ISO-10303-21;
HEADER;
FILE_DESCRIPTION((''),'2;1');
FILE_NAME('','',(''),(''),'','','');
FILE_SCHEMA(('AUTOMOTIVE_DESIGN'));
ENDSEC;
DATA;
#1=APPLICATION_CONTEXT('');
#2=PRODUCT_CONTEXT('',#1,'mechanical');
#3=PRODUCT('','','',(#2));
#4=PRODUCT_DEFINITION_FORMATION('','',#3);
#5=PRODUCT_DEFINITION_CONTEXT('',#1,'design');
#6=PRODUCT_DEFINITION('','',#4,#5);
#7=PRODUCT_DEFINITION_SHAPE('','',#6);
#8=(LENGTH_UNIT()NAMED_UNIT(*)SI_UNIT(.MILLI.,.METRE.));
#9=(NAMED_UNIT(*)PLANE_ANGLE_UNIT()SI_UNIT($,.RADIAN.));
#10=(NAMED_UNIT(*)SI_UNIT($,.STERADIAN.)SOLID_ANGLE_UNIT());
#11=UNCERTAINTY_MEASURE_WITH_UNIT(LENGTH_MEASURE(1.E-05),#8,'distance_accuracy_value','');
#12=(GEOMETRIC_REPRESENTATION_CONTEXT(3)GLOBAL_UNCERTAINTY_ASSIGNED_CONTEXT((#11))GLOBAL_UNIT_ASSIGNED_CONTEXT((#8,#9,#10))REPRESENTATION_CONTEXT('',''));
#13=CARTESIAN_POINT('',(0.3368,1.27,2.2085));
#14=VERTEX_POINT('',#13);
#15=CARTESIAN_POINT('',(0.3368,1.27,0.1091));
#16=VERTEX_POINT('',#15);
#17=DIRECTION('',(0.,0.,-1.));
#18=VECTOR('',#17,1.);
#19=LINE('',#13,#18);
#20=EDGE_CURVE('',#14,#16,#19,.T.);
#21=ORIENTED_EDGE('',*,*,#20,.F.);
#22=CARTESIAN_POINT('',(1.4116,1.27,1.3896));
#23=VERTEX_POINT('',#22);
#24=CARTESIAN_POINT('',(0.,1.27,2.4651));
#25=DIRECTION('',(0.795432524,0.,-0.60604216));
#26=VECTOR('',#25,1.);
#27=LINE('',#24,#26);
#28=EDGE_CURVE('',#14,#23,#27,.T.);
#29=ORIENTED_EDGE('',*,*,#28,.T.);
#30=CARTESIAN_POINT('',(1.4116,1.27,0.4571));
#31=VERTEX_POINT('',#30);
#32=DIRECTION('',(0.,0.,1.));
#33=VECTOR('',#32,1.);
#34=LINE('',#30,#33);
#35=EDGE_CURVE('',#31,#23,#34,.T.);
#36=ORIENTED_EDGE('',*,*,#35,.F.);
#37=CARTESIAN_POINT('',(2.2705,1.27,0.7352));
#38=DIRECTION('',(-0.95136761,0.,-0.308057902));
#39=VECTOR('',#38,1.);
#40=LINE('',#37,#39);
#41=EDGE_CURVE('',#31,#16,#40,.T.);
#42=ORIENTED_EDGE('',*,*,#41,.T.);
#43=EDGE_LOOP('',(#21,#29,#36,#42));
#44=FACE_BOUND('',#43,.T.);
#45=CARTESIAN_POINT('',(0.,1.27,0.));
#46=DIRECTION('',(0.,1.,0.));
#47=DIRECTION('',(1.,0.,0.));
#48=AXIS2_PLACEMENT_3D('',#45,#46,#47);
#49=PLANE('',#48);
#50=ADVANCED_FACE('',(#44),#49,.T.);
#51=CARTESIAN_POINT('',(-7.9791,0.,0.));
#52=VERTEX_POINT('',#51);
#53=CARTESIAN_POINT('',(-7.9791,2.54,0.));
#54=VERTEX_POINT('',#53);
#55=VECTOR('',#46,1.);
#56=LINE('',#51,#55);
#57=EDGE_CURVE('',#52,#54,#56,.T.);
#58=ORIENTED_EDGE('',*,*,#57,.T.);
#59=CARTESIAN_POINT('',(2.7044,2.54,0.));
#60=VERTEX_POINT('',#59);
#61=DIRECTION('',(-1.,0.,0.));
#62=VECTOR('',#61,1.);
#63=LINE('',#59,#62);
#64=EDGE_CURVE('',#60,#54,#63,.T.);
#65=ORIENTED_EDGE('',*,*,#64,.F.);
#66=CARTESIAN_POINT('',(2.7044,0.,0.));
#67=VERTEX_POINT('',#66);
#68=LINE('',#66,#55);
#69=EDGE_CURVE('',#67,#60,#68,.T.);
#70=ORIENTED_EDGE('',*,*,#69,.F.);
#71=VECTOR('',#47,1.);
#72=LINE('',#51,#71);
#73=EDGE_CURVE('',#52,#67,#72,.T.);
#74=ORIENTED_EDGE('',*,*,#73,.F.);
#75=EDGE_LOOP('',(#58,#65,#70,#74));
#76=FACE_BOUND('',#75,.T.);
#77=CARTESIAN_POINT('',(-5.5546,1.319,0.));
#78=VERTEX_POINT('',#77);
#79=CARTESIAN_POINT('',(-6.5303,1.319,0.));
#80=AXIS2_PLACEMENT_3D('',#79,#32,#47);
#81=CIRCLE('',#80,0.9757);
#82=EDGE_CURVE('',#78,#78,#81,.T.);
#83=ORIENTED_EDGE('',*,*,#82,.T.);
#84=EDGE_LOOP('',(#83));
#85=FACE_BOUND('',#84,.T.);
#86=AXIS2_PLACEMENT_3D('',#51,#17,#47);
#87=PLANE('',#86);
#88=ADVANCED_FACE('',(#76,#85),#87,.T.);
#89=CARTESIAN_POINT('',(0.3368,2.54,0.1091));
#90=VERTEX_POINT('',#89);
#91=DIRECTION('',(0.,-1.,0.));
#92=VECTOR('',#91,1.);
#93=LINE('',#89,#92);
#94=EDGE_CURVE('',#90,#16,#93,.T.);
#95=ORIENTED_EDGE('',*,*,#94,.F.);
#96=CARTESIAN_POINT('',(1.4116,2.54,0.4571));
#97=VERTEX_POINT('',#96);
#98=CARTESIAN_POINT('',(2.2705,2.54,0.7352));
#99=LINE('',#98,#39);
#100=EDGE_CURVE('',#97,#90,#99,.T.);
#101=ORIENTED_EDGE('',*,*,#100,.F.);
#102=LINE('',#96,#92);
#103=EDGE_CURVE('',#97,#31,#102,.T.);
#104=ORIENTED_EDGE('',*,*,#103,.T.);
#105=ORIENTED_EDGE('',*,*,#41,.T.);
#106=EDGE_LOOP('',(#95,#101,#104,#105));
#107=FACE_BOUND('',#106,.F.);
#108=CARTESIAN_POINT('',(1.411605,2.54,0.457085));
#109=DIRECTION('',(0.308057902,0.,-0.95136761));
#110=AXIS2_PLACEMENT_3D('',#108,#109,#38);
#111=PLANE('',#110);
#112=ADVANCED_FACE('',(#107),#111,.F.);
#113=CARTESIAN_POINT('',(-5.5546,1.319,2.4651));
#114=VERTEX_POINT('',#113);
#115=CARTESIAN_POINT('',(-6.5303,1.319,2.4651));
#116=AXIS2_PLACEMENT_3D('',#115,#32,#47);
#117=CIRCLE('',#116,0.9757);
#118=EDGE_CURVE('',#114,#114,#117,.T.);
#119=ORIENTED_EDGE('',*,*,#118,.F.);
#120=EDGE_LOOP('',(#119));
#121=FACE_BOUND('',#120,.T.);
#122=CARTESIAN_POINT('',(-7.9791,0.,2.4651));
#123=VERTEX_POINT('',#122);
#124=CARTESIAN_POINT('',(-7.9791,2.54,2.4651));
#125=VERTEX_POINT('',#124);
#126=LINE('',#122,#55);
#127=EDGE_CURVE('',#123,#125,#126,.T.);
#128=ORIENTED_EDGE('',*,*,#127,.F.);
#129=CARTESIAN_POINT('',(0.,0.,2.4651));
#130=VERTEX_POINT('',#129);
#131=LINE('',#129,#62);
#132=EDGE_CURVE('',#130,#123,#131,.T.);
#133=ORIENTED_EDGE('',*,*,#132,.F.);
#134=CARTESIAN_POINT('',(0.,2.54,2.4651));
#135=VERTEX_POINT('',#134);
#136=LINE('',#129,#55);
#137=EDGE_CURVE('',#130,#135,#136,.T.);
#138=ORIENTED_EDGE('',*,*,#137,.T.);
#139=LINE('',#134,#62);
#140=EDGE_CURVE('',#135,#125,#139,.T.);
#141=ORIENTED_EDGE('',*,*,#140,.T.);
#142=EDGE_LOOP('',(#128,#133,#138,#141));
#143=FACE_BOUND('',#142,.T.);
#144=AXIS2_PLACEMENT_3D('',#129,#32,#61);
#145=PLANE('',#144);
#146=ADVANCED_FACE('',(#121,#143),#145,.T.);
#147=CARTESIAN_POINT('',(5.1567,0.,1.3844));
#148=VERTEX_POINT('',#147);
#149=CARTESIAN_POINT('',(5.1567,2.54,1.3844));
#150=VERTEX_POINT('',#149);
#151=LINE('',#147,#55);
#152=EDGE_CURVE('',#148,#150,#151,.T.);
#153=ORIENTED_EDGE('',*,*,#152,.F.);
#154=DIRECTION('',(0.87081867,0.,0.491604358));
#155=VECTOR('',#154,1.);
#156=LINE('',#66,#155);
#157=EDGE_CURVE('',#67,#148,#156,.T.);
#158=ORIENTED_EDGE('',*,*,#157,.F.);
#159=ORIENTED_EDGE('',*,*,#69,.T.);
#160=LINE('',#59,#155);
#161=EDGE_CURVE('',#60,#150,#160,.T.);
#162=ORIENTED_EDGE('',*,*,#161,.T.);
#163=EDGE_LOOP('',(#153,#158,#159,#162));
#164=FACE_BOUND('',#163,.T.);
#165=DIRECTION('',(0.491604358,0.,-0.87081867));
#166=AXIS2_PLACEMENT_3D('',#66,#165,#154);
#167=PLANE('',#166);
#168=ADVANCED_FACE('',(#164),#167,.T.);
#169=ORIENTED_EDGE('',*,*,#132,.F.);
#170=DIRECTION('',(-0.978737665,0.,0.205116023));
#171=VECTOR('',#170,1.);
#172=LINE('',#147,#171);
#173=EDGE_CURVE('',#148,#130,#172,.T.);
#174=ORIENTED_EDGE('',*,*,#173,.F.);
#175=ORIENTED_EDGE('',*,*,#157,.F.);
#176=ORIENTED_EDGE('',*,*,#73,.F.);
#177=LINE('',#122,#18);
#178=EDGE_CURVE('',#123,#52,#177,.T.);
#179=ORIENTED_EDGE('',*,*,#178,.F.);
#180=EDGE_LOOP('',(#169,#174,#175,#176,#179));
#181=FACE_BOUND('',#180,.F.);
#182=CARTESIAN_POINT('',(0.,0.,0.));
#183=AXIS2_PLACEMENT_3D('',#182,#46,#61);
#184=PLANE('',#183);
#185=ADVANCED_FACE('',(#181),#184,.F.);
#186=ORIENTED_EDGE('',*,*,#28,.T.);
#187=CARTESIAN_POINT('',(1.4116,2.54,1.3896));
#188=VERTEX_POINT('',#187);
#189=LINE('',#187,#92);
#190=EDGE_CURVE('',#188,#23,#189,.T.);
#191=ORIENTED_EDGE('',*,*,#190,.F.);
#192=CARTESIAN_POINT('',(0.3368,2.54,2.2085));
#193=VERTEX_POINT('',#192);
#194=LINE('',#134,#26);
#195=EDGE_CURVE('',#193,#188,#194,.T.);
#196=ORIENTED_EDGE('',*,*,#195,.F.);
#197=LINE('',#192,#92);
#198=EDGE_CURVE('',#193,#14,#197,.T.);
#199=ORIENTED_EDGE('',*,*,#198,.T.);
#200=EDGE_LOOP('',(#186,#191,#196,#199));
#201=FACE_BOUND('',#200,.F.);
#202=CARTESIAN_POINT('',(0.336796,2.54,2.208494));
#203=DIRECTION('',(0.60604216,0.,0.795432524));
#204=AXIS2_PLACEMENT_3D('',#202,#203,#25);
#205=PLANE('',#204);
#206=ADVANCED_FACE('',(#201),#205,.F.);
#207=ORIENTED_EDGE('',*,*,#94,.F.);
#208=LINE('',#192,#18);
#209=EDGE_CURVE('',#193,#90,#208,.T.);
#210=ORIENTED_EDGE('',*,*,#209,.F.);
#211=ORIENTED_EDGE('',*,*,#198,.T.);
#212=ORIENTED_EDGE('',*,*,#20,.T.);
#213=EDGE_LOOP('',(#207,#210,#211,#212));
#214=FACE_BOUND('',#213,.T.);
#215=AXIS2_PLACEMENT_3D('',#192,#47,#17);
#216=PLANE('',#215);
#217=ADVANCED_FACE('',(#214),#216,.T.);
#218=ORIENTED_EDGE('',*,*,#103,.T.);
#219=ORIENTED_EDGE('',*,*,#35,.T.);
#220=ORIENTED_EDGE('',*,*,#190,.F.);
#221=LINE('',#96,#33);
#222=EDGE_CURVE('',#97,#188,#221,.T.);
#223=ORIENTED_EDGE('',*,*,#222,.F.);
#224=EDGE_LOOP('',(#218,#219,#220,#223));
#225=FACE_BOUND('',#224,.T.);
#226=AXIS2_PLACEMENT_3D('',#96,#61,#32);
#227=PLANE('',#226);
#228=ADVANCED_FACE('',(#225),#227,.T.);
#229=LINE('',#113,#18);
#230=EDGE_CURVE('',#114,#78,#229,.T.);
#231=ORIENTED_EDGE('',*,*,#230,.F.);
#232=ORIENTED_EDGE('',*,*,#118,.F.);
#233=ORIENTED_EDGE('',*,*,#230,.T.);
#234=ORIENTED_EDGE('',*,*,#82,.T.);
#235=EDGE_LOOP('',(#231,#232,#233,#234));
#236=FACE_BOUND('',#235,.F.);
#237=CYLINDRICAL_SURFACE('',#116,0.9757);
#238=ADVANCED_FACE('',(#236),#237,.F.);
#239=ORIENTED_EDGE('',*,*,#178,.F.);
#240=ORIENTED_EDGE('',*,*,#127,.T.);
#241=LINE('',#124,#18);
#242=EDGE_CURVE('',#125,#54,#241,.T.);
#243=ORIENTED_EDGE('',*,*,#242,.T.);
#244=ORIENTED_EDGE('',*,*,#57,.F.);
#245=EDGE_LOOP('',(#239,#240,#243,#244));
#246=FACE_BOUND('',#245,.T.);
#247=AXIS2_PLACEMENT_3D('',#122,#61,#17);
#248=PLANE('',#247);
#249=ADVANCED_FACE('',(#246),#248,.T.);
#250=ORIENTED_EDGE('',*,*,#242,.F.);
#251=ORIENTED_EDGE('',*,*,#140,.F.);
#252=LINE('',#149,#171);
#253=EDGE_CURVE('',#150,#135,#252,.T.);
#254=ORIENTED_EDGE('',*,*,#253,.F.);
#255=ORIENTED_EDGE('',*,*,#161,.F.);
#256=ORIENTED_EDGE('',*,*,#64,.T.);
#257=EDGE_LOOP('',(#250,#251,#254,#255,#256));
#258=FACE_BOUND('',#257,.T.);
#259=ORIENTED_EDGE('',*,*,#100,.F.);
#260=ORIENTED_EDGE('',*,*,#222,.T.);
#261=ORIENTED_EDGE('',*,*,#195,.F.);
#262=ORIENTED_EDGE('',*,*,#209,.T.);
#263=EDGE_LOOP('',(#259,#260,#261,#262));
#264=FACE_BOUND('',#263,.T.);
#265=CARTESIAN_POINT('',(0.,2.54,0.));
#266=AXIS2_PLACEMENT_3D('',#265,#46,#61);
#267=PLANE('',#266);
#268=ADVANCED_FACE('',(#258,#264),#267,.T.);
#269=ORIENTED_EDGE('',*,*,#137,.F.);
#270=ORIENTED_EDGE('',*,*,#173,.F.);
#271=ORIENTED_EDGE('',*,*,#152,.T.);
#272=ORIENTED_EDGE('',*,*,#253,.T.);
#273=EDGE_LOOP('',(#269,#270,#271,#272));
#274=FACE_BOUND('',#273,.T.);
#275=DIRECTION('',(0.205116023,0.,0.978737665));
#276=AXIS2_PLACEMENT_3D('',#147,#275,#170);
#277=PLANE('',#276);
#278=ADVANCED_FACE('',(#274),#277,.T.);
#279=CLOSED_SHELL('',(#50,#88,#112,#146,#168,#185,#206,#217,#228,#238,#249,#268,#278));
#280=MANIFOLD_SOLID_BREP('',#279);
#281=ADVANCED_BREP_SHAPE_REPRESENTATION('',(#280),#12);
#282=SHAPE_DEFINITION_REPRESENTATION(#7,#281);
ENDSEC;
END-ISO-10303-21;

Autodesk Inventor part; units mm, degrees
ref_plane "YZ Plane" through (0, 0, 0) normal (1, 0, 0) x (0, 1, 0)
ref_plane "XZ Plane" through (0, 0, 0) normal (0, 1, 0) x (-1, 0, 0)
ref_plane "XY Plane" through (0, 0, 0) normal (0, 0, 1) x (1, 0, 0)
sketch "Sketch1" plane through (0, 0, 0) normal (0, 1, 0) x (-1, 0, 0)
  line L0 (0, 2.4651) -> (7.9791, 2.4651)
  line L1 (7.9791, 2.4651) -> (7.9791, 0)
  line L2 (0, 0) -> (-2.7044, 0)
  line L3 (-2.7044, 0) -> (-5.1567, 1.3844)
  line L4 (-5.1567, 1.3844) -> (0, 2.4651)
  line L5 (7.9791, 0) -> (-2.7044, 0)
extrude "Extrusion1" add sketch "Sketch1" along normal blind 2.54
extrude "Extrusion2" [suppressed]
sketch "Sketch2" plane through (0, 2.54, 0) normal (0, 1, 0) x (1, 0, 0)
  line L0 (0, -2.4651) -> (2.2705, -0.7352) projected
  line L1 (0.3368, -2.2085) -> (0.3368, -0.1091)
  line L2 (2.2705, -0.7352) -> (0, 0) projected
  line L3 (1.4116, -0.4571) -> (1.4116, -1.3896)
  line L4 (0.3368, -2.2085) -> (1.4116, -1.3896)
  line L5 (0.3368, -0.1091) -> (1.4116, -0.4571)
  line L6 (0.3368, -2.2085) -> (1.4116, -1.3896)
extrude "Extrusion3" cut sketch "Sketch2" against normal blind 1.27 contours L1 L2 L3 L0
sketch "Sketch3" plane through (-7.9791, 0, 2.4651) normal (0, 0, 1) x (1, 0, 0)
  circle A0 centre (1.4488, 1.319) radius 0.9757
  point P0 (7.9791, 0)
extrude "Extrusion4" cut sketch "Sketch3" against normal blind 5.08
properties part number "hook" material "Nylon 6/6"
